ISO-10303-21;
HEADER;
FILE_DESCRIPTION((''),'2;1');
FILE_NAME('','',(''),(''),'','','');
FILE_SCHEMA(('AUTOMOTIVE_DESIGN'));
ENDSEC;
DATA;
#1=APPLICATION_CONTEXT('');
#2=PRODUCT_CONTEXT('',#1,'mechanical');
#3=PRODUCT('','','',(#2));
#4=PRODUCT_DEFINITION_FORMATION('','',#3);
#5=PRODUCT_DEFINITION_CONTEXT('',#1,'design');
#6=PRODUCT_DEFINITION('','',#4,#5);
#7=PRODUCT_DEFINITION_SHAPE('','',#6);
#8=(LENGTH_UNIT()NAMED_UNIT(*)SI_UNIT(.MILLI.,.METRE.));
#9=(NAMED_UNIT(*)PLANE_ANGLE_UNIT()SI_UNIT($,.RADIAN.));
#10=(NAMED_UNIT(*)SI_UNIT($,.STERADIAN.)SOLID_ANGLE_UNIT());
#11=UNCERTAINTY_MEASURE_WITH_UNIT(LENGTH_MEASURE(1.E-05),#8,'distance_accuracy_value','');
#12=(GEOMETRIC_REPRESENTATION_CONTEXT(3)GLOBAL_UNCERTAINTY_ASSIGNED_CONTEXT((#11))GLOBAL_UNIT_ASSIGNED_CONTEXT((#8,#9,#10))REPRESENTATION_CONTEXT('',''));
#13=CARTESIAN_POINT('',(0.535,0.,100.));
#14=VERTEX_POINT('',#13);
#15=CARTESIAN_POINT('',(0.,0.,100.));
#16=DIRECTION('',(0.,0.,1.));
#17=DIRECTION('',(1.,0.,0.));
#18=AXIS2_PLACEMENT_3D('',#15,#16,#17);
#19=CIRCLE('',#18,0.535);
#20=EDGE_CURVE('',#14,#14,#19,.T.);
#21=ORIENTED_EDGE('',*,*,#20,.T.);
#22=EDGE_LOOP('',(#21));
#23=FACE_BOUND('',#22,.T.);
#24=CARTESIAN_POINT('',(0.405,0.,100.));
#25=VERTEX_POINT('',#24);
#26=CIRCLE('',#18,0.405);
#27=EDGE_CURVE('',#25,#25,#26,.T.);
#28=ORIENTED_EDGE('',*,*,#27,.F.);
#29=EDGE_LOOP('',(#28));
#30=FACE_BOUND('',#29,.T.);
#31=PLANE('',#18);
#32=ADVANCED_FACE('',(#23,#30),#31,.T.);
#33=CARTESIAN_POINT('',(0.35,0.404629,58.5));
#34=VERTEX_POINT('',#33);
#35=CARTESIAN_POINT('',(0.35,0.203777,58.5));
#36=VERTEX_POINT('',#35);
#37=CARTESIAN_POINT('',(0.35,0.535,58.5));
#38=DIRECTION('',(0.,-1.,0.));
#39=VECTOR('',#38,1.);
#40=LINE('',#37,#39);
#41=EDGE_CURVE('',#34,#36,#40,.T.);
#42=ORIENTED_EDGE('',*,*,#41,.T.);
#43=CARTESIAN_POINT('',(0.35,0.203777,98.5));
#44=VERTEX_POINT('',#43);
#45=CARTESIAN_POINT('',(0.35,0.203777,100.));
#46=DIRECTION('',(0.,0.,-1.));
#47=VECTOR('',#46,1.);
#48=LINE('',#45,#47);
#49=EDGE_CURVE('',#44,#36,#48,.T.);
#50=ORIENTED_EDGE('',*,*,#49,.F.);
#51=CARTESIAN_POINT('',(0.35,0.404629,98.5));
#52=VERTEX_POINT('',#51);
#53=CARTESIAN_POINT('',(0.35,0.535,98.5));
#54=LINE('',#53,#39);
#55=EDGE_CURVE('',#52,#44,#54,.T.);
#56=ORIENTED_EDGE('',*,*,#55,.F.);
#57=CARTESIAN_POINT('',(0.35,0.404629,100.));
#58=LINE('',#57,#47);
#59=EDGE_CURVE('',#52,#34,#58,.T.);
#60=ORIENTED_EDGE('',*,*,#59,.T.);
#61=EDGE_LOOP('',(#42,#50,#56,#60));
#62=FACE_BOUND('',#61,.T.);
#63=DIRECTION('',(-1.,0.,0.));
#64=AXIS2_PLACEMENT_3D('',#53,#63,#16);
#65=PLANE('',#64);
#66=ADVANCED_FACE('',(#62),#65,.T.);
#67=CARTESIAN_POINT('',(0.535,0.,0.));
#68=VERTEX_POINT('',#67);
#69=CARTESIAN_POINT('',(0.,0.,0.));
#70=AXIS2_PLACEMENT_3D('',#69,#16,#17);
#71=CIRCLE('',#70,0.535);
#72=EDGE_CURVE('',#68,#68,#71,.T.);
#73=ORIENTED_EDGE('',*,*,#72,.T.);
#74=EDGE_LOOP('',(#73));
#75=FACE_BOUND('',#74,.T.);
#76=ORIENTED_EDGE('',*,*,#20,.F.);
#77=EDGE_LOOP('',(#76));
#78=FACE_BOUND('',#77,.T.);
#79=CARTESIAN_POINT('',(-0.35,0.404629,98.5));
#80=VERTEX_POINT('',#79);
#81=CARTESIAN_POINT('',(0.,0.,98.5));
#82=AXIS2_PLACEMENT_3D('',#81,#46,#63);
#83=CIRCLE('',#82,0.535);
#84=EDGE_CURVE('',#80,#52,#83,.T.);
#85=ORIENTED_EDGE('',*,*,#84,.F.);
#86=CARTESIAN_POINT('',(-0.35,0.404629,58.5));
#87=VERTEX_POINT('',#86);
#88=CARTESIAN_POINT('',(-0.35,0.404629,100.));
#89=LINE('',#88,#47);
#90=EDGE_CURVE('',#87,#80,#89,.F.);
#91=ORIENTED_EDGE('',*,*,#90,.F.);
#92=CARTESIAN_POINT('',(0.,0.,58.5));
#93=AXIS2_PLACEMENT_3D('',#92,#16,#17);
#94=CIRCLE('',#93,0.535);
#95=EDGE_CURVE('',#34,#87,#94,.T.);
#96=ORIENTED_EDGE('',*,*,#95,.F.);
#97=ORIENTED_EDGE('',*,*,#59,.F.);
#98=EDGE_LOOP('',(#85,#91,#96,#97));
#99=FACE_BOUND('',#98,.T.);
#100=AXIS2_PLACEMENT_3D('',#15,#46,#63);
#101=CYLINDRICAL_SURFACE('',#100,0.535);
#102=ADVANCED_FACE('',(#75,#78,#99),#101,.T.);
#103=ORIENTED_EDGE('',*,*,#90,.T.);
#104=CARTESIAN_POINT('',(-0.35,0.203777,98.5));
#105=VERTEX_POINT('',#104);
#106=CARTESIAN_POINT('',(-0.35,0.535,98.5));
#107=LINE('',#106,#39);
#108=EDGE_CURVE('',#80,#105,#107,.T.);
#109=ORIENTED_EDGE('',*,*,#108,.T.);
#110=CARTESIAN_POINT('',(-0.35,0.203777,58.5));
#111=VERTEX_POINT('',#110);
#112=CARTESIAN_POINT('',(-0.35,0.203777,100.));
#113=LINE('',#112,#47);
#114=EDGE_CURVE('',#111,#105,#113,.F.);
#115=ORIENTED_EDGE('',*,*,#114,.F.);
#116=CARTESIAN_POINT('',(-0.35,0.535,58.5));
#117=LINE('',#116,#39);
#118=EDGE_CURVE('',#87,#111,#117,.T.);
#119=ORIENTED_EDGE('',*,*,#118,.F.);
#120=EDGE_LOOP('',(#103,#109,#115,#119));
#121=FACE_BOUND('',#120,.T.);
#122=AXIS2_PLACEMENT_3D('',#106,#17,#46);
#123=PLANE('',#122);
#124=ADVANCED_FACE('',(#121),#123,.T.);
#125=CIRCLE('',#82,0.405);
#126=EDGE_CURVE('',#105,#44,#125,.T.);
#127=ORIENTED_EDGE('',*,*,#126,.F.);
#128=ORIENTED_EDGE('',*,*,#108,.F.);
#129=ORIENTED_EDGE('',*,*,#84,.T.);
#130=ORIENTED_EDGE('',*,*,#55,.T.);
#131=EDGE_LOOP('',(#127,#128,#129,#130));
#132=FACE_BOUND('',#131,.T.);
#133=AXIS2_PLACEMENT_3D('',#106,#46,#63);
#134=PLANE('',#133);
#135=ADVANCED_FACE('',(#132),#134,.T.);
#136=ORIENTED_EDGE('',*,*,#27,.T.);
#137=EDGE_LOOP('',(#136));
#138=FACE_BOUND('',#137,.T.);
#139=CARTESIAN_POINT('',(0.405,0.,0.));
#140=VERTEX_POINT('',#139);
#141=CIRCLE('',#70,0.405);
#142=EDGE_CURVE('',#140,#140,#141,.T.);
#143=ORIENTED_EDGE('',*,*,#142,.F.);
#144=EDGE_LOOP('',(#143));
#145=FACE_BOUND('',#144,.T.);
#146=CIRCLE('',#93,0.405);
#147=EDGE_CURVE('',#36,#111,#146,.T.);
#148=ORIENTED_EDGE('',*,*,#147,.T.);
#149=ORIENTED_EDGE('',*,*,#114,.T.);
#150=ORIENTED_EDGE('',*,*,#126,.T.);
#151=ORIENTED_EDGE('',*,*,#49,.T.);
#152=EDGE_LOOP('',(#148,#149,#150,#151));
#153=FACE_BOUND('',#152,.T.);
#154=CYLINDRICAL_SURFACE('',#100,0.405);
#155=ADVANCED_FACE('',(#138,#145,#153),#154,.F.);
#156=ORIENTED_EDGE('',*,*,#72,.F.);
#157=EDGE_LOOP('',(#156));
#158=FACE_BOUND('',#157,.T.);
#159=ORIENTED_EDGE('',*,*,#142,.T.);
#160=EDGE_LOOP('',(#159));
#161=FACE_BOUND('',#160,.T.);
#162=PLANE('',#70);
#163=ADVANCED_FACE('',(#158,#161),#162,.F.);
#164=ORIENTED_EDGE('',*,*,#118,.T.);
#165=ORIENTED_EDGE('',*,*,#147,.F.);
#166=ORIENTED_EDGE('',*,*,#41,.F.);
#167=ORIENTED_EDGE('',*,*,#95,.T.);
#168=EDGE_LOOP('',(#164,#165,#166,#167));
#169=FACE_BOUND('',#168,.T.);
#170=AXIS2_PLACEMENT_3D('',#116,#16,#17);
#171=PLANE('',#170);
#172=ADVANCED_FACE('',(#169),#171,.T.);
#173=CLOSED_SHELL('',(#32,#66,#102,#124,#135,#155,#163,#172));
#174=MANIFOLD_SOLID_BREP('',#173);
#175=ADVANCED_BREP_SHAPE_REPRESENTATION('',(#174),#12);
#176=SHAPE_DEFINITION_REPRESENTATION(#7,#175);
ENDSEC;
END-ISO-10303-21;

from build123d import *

# Parameters (mm, degrees)
SKETCH1_R           = 0.535
SKETCH1_R_2         = 0.405
BOSS_EXTRUDE1_DEPTH = 100
SKETCH2_W           = 0.7
SKETCH2_H           = 40
CUT_EXTRUDE1_DEPTH  = 1.535


with BuildPart() as part:
    # Sketch1 → Boss-Extrude1 (new body)
    with BuildSketch(Plane.XY):
        Circle(SKETCH1_R)
        Circle(SKETCH1_R_2, mode=Mode.SUBTRACT)
    extrude(amount=BOSS_EXTRUDE1_DEPTH)

    # Sketch2 → Cut-Extrude1 (cut, through all)
    with BuildSketch(Plane(origin=(0, 0, 0), x_dir=(1, 0, 0), z_dir=(0, 1, 0))):
        with Locations((0, -78.5)):
            Rectangle(SKETCH2_W, SKETCH2_H)
    extrude(amount=CUT_EXTRUDE1_DEPTH, mode=Mode.SUBTRACT)


solid = part.part
